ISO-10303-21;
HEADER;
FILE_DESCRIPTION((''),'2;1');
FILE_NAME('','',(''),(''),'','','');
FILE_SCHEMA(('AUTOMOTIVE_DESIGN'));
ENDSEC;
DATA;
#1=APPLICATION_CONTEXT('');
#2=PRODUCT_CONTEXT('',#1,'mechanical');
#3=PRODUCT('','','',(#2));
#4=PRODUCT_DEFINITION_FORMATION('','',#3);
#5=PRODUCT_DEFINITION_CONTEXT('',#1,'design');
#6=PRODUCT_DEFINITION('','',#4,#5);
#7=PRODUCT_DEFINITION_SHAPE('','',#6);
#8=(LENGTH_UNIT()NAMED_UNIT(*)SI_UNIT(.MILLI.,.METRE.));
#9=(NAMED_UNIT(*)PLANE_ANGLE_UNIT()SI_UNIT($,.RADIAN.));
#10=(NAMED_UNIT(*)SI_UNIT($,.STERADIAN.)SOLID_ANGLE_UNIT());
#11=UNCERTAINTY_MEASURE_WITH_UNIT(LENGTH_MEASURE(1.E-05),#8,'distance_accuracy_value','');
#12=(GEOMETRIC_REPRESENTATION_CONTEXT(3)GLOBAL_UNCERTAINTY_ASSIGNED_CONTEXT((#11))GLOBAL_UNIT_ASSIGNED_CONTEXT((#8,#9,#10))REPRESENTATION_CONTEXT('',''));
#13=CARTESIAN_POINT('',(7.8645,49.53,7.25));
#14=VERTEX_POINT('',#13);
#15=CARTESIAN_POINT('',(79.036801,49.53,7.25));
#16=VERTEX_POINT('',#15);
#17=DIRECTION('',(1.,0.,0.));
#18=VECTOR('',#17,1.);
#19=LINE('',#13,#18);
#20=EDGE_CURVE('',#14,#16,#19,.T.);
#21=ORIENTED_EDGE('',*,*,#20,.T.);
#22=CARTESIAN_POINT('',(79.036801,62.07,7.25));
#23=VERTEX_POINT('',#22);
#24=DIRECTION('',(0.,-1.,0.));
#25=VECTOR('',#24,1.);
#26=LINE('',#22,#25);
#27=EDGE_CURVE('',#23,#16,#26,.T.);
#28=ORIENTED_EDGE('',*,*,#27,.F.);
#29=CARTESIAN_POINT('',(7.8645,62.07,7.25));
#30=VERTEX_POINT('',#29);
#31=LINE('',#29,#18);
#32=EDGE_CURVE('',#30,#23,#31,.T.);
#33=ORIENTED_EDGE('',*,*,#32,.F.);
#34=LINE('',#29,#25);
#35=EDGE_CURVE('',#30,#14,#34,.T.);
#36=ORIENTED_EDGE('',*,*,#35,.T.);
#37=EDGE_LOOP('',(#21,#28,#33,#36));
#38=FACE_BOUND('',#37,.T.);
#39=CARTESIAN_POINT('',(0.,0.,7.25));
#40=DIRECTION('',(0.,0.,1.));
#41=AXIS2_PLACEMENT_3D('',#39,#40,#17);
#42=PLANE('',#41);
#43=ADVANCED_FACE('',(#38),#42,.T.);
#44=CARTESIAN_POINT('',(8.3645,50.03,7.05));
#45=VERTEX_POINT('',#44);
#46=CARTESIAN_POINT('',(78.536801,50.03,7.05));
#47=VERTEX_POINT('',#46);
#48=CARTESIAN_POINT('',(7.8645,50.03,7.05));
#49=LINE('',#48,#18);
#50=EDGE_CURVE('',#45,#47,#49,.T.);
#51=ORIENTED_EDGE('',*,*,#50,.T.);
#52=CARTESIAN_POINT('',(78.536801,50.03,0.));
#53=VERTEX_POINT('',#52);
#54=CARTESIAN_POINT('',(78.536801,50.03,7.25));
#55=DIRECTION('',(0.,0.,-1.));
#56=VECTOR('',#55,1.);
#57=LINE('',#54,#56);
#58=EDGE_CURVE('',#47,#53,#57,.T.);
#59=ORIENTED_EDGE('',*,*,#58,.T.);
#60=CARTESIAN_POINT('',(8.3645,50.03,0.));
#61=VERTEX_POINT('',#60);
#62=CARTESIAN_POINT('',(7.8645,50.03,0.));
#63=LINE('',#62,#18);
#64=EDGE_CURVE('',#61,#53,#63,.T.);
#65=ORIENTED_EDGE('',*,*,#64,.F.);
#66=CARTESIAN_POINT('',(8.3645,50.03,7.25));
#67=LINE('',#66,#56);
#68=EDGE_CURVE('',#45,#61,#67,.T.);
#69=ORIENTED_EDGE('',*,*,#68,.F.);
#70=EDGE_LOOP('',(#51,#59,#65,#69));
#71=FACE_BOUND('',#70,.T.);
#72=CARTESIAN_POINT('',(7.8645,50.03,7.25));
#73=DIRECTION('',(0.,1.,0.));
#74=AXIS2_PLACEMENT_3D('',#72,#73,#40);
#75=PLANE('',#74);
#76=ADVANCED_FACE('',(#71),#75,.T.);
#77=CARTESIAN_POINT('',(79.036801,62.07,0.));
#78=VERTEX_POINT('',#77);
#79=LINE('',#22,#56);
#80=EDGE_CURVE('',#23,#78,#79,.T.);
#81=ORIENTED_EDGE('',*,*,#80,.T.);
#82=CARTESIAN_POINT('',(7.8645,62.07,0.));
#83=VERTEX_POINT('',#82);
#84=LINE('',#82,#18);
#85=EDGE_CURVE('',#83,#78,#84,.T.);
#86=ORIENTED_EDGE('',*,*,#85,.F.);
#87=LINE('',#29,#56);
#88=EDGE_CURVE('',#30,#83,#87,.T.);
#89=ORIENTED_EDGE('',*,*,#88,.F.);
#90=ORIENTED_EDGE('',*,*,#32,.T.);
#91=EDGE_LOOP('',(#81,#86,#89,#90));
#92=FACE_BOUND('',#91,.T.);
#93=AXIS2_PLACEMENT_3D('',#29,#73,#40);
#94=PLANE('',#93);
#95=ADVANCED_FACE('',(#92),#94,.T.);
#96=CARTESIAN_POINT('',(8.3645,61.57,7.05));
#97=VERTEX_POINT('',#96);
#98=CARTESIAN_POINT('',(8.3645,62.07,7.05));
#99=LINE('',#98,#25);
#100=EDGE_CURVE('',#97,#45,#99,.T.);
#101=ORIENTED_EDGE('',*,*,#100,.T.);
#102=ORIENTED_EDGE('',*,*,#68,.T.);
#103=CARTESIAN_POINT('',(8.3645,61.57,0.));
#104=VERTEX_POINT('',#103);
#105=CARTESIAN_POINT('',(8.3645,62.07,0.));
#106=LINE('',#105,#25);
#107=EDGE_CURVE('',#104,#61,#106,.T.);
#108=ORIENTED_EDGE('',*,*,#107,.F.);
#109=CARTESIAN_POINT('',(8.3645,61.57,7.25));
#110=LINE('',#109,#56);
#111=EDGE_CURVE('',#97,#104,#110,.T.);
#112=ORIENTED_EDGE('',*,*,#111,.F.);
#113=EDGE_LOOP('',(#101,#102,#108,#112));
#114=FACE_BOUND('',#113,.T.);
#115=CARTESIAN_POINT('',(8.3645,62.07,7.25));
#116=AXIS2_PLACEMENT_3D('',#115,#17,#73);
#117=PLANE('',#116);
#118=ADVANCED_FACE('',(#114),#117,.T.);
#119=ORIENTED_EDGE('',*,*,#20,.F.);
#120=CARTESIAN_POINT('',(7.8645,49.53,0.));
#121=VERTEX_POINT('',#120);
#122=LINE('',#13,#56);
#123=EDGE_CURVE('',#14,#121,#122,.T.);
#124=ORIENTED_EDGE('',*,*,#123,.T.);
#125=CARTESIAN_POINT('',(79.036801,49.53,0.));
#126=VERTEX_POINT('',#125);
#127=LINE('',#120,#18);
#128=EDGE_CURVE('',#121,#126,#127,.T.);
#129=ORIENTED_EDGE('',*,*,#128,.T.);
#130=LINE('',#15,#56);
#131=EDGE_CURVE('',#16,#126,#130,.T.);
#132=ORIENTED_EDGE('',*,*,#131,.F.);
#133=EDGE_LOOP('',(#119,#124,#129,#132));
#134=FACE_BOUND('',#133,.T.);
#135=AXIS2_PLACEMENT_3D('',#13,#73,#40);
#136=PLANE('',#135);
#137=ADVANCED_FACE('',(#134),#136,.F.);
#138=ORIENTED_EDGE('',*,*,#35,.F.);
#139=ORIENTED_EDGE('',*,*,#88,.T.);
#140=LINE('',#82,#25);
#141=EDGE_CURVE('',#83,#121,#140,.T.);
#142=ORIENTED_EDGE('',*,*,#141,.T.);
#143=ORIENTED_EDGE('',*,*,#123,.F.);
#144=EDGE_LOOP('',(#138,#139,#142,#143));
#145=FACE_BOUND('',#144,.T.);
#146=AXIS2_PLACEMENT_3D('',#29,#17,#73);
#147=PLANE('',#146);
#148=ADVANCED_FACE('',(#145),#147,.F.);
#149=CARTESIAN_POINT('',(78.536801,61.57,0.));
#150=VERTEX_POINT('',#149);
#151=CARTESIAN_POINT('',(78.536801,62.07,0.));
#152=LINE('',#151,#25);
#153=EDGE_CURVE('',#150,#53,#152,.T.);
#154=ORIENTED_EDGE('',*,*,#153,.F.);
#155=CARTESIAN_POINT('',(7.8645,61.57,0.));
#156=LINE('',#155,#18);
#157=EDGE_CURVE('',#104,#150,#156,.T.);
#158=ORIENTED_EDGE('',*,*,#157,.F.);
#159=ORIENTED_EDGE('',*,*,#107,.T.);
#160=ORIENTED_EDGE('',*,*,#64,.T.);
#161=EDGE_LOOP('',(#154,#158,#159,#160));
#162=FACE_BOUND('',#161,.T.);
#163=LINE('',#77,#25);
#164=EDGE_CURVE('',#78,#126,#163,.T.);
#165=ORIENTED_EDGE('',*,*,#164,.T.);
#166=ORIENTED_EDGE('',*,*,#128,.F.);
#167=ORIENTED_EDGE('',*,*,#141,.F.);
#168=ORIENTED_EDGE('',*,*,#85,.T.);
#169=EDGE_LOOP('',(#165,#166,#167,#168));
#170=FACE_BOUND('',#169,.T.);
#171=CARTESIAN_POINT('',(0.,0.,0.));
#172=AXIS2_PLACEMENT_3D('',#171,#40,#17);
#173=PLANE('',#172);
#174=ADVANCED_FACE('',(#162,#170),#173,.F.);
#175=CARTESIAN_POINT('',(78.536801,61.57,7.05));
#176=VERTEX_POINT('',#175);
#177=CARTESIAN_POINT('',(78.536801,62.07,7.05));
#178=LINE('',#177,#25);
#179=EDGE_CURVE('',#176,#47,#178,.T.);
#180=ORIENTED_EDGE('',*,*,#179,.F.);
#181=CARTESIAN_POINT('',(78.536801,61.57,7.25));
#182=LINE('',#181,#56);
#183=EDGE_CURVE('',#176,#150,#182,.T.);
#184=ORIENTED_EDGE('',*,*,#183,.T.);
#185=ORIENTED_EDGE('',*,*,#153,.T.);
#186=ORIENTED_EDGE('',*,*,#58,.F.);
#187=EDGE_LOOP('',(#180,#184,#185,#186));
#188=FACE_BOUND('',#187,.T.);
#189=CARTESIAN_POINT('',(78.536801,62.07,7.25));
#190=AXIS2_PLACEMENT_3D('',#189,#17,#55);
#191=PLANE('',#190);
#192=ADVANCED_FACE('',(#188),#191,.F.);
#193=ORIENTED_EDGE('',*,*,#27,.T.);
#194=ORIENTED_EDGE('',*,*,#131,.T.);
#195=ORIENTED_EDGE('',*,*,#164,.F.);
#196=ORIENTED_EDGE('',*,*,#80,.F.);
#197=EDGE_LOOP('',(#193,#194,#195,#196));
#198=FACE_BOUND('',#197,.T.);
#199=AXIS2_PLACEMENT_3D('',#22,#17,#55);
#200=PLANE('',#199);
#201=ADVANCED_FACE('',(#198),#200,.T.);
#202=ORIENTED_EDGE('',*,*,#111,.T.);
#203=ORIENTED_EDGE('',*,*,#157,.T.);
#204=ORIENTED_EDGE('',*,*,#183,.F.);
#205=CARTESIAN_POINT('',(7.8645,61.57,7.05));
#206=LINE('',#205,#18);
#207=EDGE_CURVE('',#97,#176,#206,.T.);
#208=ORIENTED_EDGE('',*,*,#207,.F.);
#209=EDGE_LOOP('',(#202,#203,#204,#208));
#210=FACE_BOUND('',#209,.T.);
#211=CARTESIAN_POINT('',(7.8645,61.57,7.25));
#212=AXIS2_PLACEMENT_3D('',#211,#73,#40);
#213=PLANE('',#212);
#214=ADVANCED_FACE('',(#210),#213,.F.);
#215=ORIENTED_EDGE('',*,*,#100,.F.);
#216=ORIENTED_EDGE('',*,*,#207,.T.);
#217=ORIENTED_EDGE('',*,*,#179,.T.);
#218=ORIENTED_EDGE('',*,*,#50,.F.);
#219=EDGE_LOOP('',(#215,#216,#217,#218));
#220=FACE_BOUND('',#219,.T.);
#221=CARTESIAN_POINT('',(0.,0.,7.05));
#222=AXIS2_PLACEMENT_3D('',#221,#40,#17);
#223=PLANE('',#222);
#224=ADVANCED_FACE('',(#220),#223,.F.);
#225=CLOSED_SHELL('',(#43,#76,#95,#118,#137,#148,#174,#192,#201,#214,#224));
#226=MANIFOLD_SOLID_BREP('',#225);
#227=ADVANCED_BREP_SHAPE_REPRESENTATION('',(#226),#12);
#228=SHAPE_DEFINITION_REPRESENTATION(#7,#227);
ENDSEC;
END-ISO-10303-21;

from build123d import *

# Parameters (mm, degrees)
SKETCH1_W                 = 71.17230149
SKETCH1_H                 = 12.54
BOSS_EXTRUDE1_DEPTH       = 7.25
SHELL1_T                  = -0.5
SHELL1_THICKNESS_2_FACE_W = 70.17230149
SHELL1_THICKNESS_2_FACE_H = 11.54
SHELL1_THICKNESS_2_DEPTH  = 0.3


with BuildPart() as part:
    # Sketch1 → Boss-Extrude1 (new body)
    with BuildSketch(Plane.XY):
        with Locations((43.450650745, 55.8)):
            Rectangle(SKETCH1_W, SKETCH1_H)
    extrude(amount=BOSS_EXTRUDE1_DEPTH)

    # Shell1
    shell1_openings = [part.faces().sort_by_distance(p)[0] for p in [
        (43.450650745, 55.8, 0),
    ]]
    offset(amount=SHELL1_T, openings=shell1_openings, kind=Kind.INTERSECTION)

    # Shell1 thickness 2 face (on inner face of the shell) → Shell1 thickness 2 (cut)
    with BuildSketch(Plane(origin=(43.450650745, 55.8, 6.75), x_dir=(1, 0, 0), z_dir=(0, 0, 1))):
        Rectangle(SHELL1_THICKNESS_2_FACE_W, SHELL1_THICKNESS_2_FACE_H)
    extrude(amount=SHELL1_THICKNESS_2_DEPTH, mode=Mode.SUBTRACT)


solid = part.part
